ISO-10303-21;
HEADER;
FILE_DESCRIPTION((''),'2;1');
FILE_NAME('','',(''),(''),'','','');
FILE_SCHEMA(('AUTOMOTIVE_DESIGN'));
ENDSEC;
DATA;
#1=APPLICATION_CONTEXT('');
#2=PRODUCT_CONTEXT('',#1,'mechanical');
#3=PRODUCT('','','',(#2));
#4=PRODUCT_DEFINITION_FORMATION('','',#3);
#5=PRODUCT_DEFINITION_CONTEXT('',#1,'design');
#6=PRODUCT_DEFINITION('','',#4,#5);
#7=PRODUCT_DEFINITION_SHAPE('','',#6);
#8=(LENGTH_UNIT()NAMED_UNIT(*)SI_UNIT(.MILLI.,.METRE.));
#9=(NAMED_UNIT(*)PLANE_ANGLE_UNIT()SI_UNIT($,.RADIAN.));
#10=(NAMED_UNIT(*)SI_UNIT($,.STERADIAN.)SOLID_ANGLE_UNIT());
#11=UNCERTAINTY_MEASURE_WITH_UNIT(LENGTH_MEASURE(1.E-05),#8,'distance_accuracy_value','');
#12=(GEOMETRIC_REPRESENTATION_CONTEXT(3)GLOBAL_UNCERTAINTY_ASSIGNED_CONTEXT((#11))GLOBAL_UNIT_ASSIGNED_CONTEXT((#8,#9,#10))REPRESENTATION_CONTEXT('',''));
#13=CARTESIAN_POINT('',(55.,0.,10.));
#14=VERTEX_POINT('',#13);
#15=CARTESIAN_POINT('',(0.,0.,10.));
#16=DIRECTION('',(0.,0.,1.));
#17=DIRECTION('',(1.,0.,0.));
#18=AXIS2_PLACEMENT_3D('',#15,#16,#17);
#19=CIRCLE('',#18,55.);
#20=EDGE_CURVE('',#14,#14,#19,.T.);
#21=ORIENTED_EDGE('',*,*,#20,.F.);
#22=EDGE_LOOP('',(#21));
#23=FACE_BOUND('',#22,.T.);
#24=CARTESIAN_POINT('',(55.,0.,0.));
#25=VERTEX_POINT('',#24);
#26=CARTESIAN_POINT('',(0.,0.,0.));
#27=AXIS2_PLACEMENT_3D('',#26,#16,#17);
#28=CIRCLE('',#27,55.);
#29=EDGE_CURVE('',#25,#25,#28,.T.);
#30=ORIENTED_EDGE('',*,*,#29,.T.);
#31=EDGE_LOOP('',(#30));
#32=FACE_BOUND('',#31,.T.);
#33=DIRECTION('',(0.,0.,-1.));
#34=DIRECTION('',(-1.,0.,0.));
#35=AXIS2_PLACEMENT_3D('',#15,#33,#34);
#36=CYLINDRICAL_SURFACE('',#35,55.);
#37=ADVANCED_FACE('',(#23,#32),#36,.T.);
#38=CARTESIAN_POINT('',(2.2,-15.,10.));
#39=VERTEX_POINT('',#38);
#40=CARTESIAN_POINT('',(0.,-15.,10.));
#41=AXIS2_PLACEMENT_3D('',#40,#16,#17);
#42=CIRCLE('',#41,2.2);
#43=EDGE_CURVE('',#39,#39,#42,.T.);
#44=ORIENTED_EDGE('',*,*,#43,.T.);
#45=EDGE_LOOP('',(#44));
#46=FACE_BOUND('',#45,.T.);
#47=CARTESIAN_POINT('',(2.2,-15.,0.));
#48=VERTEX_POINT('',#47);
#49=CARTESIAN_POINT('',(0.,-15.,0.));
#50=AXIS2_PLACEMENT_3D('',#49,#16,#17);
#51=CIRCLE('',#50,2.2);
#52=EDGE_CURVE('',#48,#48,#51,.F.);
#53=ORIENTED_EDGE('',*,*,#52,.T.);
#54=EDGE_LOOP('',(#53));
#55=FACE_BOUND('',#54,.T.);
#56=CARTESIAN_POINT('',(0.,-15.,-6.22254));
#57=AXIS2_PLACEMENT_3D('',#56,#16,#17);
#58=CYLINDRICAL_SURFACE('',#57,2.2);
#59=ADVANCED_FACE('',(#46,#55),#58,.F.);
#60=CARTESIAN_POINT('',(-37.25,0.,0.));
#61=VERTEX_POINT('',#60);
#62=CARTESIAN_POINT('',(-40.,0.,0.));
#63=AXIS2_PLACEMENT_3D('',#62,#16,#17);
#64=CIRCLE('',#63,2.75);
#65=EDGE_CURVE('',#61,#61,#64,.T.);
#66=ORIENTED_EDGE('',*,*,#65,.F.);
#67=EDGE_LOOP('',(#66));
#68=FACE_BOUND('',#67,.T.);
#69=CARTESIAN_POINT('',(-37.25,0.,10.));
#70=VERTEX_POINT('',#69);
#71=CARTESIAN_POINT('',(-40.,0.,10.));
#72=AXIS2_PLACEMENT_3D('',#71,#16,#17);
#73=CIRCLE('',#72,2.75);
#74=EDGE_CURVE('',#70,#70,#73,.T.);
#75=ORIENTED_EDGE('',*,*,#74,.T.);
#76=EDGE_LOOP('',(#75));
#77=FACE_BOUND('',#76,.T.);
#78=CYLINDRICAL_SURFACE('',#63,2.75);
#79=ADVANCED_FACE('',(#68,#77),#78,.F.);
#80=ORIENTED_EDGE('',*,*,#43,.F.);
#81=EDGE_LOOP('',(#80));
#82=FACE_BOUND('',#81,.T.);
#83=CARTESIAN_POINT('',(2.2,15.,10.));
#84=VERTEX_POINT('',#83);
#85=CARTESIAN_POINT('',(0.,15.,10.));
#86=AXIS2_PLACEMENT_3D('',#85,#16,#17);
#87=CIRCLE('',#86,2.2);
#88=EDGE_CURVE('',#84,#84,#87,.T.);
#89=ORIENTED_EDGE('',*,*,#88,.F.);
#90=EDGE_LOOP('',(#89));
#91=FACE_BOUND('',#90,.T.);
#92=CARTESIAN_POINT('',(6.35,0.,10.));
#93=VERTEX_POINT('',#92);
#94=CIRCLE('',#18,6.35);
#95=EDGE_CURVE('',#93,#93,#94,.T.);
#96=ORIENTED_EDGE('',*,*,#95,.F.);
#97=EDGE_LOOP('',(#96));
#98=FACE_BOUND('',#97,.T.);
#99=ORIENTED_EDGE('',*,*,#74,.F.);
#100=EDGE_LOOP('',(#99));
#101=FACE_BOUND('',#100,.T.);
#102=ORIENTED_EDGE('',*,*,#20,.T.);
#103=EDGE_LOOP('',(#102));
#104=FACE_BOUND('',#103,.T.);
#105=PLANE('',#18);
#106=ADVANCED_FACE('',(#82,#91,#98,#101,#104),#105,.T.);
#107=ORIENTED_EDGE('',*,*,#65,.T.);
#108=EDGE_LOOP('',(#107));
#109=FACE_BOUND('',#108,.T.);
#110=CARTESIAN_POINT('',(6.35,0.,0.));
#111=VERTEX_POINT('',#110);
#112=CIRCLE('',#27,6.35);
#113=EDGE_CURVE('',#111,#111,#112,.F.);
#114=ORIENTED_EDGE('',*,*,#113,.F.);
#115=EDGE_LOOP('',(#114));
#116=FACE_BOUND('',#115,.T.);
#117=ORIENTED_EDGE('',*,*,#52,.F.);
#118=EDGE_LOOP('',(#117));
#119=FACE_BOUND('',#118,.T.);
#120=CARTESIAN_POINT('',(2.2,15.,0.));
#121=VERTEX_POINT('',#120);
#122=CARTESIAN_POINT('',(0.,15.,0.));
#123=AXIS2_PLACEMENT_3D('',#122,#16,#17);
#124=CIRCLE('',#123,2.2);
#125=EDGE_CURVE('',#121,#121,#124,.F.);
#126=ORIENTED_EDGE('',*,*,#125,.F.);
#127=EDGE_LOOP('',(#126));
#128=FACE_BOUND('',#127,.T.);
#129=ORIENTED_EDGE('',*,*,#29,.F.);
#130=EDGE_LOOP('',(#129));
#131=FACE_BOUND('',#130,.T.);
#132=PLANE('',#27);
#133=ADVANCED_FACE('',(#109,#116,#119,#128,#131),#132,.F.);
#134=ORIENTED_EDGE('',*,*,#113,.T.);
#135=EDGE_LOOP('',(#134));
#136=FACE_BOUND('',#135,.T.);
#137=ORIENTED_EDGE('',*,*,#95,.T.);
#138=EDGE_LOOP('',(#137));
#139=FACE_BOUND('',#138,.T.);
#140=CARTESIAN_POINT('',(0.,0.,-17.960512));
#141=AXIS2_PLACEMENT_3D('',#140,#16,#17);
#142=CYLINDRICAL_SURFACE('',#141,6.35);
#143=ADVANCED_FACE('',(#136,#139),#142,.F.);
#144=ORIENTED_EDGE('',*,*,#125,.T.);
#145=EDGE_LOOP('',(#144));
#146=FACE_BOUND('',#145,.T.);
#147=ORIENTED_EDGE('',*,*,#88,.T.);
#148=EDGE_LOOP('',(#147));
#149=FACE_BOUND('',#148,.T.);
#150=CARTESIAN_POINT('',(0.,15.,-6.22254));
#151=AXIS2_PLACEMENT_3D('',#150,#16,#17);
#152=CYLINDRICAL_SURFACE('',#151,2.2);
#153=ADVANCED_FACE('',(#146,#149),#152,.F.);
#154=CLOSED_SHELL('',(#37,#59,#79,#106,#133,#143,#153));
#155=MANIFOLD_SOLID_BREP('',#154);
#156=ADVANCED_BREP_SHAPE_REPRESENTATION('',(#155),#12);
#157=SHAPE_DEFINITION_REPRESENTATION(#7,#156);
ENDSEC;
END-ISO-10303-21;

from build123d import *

# Parameters (mm, degrees)
SKETCH1_R          = 55
EXTRUDE_3_8_DEPTH  = 10
SKETCH5_R          = 6.35
CUT_EXTRUDE2_DEPTH = 10
SKETCH6_R          = 2.2
M4_THROUGH2_DEPTH  = 10
SKETCH7_R          = 2.75
CUT_EXTRUDE4_DEPTH = 10


with BuildPart() as part:
    # Sketch1 → 3/8 (new body)
    with BuildSketch(Plane.XY):
        Circle(SKETCH1_R)
    extrude(amount=EXTRUDE_3_8_DEPTH)

    # Sketch5 → Cut-Extrude2 (cut)
    with BuildSketch(Plane.XY.offset(10)):
        Circle(SKETCH5_R)
    extrude(amount=-CUT_EXTRUDE2_DEPTH, mode=Mode.SUBTRACT)

    # Sketch6 → M4_through2 (cut)
    with BuildSketch(Plane.XY.offset(10)):
        with Locations((0, 15)):
            Circle(SKETCH6_R)
        with Locations((0, -15)):
            Circle(SKETCH6_R)
    extrude(amount=-M4_THROUGH2_DEPTH, mode=Mode.SUBTRACT)

    # Sketch7 → Cut-Extrude4 (cut)
    with BuildSketch(Plane.XY.offset(10)):
        with Locations((-40, 0)):
            Circle(SKETCH7_R)
    extrude(amount=-CUT_EXTRUDE4_DEPTH, mode=Mode.SUBTRACT)


solid = part.part
